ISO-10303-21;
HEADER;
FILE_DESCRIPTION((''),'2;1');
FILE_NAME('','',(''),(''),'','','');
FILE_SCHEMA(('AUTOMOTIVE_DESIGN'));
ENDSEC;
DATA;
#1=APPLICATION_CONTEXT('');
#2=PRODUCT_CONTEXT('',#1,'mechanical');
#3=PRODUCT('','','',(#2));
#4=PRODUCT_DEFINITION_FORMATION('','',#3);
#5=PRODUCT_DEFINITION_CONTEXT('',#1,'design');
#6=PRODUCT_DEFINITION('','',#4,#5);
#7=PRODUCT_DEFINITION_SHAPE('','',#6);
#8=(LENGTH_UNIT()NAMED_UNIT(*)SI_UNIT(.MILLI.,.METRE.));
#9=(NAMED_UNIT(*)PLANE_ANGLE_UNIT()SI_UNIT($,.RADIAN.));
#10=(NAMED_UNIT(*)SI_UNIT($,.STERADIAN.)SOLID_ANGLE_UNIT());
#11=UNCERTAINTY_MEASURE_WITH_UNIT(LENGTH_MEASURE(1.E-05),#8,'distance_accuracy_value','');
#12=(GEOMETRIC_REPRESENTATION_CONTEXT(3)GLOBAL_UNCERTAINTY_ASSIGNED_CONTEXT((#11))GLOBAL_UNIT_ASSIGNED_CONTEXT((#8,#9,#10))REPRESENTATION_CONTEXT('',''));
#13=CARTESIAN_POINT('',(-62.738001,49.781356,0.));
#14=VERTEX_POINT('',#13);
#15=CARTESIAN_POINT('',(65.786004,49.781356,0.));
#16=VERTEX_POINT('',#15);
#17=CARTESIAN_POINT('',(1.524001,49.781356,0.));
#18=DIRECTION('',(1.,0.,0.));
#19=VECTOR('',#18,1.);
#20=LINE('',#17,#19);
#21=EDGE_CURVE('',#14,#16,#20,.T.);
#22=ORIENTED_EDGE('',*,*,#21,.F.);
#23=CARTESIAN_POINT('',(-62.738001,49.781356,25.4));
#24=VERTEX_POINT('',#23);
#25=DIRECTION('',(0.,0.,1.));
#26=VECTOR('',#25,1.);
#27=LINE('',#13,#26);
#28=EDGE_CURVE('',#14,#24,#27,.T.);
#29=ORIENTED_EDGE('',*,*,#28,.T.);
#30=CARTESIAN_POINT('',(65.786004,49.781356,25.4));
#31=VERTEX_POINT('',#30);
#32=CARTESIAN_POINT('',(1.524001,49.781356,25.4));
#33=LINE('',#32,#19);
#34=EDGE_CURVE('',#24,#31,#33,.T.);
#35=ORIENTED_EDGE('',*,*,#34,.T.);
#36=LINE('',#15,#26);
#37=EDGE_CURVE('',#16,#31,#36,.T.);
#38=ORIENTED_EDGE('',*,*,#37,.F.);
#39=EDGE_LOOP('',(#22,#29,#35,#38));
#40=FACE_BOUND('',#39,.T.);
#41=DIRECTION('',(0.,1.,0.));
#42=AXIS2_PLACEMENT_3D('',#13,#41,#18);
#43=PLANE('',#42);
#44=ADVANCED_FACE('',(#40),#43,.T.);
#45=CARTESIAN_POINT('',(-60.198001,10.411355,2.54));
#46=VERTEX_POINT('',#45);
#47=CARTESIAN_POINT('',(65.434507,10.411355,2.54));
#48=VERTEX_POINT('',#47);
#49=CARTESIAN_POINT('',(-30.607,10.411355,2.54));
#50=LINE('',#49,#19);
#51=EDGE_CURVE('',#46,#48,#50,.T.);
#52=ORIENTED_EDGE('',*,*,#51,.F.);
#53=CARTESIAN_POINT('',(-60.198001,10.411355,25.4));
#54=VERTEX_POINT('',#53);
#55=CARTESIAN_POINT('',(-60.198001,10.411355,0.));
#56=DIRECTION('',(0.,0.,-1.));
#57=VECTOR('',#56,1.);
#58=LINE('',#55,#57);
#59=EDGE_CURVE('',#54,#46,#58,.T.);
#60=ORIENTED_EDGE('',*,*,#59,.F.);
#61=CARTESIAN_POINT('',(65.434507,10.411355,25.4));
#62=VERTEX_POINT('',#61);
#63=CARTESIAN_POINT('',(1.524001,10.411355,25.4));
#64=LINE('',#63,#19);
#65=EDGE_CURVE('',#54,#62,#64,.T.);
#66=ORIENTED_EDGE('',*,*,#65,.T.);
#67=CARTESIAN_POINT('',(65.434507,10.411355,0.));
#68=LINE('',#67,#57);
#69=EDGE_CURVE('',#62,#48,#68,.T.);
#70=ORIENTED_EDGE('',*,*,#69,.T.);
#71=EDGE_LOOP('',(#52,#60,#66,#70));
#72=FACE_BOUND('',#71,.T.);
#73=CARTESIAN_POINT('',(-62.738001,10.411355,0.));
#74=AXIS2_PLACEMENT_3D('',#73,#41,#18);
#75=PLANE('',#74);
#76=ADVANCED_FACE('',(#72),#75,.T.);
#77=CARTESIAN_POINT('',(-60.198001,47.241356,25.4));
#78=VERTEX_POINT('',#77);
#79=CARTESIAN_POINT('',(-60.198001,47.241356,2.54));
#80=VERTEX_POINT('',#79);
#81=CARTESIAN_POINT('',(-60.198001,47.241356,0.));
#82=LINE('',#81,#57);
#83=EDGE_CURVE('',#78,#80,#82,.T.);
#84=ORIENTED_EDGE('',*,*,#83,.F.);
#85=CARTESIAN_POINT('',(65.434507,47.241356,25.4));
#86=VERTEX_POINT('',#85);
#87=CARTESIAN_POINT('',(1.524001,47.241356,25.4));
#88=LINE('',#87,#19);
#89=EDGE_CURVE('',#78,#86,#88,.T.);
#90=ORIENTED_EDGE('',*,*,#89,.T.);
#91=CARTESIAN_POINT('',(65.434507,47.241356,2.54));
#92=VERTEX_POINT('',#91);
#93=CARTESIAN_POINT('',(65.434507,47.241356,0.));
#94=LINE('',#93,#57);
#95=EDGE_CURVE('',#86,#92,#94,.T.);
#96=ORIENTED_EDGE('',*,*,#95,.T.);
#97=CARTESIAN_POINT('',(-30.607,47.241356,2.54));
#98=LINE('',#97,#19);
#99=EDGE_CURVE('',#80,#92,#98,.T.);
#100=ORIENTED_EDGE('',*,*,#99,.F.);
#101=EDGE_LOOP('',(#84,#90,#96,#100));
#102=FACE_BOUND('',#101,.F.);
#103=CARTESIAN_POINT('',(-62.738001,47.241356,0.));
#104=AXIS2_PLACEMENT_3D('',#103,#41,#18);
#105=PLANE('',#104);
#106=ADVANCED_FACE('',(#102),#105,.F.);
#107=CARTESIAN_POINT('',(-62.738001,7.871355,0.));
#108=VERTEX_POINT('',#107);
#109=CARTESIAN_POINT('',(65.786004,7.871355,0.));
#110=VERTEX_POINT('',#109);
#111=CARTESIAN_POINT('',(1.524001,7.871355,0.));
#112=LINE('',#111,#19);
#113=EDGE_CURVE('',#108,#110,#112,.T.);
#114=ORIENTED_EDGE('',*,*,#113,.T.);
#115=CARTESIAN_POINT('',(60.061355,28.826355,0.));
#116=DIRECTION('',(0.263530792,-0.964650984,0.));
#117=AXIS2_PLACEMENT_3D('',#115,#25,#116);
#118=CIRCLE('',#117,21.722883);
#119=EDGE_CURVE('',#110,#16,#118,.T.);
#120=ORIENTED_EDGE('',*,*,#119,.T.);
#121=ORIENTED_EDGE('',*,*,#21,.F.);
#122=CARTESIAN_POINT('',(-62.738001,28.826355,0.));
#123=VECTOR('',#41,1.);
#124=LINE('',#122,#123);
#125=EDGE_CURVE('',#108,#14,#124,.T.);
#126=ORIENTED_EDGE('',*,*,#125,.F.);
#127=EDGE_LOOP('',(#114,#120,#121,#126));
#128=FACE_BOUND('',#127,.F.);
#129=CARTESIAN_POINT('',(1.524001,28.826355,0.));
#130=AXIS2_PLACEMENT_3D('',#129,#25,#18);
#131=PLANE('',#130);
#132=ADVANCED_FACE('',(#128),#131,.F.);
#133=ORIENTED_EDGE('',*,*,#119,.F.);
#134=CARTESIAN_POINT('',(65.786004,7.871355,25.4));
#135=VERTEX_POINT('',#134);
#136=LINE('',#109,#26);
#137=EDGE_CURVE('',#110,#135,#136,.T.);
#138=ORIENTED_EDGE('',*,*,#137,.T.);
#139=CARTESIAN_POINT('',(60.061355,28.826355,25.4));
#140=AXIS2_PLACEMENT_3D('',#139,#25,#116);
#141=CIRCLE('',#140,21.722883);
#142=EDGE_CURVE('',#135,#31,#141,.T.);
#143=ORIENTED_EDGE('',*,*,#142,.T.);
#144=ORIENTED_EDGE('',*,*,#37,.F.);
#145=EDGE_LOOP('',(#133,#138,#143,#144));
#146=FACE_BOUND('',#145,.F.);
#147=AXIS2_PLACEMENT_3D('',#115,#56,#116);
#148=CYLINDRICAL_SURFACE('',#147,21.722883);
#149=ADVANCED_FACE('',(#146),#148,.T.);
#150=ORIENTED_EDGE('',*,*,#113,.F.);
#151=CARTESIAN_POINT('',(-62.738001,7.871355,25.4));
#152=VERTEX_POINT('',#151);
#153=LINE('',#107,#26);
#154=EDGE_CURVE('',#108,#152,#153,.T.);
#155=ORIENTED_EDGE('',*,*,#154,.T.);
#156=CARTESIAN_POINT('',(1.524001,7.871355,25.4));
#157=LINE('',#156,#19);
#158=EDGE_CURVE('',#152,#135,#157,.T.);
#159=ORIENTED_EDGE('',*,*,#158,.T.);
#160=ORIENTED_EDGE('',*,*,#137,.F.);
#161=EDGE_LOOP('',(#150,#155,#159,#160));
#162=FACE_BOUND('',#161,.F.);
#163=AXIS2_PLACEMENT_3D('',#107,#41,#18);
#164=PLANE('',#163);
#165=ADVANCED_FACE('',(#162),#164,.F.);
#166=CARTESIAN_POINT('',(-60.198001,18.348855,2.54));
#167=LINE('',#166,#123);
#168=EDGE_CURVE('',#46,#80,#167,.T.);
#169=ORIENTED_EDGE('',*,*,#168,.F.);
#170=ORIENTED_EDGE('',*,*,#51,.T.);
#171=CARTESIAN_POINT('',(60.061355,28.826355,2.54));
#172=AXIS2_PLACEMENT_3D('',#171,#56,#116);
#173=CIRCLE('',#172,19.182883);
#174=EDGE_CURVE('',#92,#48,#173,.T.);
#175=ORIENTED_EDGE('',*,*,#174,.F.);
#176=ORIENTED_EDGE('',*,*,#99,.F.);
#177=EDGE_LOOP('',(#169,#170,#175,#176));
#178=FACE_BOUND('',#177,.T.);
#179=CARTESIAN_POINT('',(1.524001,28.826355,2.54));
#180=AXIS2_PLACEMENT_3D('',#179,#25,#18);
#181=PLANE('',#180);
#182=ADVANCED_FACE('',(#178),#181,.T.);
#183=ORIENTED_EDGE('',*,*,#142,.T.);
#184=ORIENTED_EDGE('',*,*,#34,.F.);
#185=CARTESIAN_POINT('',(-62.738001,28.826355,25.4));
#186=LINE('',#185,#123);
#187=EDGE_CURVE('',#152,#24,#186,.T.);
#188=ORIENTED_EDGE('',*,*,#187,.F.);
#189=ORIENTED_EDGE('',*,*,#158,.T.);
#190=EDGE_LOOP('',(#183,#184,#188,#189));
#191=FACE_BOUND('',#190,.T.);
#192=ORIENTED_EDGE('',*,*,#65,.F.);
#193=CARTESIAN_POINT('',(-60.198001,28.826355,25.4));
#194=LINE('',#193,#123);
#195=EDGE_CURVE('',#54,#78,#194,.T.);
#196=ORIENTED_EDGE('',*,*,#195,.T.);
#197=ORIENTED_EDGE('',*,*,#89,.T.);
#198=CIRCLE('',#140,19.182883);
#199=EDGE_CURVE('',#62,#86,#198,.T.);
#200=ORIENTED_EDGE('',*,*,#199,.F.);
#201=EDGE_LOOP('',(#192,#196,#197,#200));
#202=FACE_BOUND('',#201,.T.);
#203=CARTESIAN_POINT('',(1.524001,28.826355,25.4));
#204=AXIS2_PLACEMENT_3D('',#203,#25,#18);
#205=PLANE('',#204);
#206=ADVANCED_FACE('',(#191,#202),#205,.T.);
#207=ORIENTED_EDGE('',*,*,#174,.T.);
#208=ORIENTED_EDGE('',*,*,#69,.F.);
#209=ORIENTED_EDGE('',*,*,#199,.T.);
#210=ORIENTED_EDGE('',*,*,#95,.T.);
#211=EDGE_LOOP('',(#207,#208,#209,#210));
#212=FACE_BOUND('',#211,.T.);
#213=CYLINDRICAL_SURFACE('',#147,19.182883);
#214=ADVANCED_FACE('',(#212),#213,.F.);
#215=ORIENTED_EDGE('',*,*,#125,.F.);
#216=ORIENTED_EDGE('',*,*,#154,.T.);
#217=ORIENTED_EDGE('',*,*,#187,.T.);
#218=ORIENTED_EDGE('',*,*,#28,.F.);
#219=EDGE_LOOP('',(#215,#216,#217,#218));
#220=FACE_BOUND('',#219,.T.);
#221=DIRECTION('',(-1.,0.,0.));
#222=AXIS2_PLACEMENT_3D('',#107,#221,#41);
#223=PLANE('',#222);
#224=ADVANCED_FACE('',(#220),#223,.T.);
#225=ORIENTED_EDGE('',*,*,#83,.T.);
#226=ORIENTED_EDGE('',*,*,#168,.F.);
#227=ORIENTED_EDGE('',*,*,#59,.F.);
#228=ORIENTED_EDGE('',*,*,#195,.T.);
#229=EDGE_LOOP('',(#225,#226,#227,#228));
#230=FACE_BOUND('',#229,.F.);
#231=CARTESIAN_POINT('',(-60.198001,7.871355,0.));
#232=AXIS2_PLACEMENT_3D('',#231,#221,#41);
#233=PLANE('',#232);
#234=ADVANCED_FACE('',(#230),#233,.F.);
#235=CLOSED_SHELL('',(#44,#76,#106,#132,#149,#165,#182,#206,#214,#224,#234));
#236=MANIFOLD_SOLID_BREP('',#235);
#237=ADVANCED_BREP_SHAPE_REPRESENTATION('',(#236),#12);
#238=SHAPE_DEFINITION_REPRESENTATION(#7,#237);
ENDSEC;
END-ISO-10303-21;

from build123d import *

# Parameters (mm, degrees)
F0_W     = 128.5240054131
F0_H     = 41.9100010768
F1_DEPTH = 25.4
F2_T     = -2.54


with BuildPart() as f1:
    # F0 (on Top) → F1 (new body)
    with BuildSketch(Plane.XY):
        with Locations((1.5240013599, 28.8263554685)):
            Rectangle(F0_W, F0_H)
        with BuildLine():
            ThreePointArc((65.7860040665, 7.8713549301), (81.7842385584, 28.8263554685), (65.7860040665, 49.7813560069))
            Line((65.7860040665, 49.7813560069), (65.7860040665, 7.8713549301))
        make_face()
    extrude(amount=F1_DEPTH)

    # F2
    f2_openings = [f1.faces().sort_by_distance(p)[0] for p in [
        (7.497543, 28.826355, 25.4),
    ]]
    offset(amount=F2_T, openings=f2_openings)


solid = f1.part
